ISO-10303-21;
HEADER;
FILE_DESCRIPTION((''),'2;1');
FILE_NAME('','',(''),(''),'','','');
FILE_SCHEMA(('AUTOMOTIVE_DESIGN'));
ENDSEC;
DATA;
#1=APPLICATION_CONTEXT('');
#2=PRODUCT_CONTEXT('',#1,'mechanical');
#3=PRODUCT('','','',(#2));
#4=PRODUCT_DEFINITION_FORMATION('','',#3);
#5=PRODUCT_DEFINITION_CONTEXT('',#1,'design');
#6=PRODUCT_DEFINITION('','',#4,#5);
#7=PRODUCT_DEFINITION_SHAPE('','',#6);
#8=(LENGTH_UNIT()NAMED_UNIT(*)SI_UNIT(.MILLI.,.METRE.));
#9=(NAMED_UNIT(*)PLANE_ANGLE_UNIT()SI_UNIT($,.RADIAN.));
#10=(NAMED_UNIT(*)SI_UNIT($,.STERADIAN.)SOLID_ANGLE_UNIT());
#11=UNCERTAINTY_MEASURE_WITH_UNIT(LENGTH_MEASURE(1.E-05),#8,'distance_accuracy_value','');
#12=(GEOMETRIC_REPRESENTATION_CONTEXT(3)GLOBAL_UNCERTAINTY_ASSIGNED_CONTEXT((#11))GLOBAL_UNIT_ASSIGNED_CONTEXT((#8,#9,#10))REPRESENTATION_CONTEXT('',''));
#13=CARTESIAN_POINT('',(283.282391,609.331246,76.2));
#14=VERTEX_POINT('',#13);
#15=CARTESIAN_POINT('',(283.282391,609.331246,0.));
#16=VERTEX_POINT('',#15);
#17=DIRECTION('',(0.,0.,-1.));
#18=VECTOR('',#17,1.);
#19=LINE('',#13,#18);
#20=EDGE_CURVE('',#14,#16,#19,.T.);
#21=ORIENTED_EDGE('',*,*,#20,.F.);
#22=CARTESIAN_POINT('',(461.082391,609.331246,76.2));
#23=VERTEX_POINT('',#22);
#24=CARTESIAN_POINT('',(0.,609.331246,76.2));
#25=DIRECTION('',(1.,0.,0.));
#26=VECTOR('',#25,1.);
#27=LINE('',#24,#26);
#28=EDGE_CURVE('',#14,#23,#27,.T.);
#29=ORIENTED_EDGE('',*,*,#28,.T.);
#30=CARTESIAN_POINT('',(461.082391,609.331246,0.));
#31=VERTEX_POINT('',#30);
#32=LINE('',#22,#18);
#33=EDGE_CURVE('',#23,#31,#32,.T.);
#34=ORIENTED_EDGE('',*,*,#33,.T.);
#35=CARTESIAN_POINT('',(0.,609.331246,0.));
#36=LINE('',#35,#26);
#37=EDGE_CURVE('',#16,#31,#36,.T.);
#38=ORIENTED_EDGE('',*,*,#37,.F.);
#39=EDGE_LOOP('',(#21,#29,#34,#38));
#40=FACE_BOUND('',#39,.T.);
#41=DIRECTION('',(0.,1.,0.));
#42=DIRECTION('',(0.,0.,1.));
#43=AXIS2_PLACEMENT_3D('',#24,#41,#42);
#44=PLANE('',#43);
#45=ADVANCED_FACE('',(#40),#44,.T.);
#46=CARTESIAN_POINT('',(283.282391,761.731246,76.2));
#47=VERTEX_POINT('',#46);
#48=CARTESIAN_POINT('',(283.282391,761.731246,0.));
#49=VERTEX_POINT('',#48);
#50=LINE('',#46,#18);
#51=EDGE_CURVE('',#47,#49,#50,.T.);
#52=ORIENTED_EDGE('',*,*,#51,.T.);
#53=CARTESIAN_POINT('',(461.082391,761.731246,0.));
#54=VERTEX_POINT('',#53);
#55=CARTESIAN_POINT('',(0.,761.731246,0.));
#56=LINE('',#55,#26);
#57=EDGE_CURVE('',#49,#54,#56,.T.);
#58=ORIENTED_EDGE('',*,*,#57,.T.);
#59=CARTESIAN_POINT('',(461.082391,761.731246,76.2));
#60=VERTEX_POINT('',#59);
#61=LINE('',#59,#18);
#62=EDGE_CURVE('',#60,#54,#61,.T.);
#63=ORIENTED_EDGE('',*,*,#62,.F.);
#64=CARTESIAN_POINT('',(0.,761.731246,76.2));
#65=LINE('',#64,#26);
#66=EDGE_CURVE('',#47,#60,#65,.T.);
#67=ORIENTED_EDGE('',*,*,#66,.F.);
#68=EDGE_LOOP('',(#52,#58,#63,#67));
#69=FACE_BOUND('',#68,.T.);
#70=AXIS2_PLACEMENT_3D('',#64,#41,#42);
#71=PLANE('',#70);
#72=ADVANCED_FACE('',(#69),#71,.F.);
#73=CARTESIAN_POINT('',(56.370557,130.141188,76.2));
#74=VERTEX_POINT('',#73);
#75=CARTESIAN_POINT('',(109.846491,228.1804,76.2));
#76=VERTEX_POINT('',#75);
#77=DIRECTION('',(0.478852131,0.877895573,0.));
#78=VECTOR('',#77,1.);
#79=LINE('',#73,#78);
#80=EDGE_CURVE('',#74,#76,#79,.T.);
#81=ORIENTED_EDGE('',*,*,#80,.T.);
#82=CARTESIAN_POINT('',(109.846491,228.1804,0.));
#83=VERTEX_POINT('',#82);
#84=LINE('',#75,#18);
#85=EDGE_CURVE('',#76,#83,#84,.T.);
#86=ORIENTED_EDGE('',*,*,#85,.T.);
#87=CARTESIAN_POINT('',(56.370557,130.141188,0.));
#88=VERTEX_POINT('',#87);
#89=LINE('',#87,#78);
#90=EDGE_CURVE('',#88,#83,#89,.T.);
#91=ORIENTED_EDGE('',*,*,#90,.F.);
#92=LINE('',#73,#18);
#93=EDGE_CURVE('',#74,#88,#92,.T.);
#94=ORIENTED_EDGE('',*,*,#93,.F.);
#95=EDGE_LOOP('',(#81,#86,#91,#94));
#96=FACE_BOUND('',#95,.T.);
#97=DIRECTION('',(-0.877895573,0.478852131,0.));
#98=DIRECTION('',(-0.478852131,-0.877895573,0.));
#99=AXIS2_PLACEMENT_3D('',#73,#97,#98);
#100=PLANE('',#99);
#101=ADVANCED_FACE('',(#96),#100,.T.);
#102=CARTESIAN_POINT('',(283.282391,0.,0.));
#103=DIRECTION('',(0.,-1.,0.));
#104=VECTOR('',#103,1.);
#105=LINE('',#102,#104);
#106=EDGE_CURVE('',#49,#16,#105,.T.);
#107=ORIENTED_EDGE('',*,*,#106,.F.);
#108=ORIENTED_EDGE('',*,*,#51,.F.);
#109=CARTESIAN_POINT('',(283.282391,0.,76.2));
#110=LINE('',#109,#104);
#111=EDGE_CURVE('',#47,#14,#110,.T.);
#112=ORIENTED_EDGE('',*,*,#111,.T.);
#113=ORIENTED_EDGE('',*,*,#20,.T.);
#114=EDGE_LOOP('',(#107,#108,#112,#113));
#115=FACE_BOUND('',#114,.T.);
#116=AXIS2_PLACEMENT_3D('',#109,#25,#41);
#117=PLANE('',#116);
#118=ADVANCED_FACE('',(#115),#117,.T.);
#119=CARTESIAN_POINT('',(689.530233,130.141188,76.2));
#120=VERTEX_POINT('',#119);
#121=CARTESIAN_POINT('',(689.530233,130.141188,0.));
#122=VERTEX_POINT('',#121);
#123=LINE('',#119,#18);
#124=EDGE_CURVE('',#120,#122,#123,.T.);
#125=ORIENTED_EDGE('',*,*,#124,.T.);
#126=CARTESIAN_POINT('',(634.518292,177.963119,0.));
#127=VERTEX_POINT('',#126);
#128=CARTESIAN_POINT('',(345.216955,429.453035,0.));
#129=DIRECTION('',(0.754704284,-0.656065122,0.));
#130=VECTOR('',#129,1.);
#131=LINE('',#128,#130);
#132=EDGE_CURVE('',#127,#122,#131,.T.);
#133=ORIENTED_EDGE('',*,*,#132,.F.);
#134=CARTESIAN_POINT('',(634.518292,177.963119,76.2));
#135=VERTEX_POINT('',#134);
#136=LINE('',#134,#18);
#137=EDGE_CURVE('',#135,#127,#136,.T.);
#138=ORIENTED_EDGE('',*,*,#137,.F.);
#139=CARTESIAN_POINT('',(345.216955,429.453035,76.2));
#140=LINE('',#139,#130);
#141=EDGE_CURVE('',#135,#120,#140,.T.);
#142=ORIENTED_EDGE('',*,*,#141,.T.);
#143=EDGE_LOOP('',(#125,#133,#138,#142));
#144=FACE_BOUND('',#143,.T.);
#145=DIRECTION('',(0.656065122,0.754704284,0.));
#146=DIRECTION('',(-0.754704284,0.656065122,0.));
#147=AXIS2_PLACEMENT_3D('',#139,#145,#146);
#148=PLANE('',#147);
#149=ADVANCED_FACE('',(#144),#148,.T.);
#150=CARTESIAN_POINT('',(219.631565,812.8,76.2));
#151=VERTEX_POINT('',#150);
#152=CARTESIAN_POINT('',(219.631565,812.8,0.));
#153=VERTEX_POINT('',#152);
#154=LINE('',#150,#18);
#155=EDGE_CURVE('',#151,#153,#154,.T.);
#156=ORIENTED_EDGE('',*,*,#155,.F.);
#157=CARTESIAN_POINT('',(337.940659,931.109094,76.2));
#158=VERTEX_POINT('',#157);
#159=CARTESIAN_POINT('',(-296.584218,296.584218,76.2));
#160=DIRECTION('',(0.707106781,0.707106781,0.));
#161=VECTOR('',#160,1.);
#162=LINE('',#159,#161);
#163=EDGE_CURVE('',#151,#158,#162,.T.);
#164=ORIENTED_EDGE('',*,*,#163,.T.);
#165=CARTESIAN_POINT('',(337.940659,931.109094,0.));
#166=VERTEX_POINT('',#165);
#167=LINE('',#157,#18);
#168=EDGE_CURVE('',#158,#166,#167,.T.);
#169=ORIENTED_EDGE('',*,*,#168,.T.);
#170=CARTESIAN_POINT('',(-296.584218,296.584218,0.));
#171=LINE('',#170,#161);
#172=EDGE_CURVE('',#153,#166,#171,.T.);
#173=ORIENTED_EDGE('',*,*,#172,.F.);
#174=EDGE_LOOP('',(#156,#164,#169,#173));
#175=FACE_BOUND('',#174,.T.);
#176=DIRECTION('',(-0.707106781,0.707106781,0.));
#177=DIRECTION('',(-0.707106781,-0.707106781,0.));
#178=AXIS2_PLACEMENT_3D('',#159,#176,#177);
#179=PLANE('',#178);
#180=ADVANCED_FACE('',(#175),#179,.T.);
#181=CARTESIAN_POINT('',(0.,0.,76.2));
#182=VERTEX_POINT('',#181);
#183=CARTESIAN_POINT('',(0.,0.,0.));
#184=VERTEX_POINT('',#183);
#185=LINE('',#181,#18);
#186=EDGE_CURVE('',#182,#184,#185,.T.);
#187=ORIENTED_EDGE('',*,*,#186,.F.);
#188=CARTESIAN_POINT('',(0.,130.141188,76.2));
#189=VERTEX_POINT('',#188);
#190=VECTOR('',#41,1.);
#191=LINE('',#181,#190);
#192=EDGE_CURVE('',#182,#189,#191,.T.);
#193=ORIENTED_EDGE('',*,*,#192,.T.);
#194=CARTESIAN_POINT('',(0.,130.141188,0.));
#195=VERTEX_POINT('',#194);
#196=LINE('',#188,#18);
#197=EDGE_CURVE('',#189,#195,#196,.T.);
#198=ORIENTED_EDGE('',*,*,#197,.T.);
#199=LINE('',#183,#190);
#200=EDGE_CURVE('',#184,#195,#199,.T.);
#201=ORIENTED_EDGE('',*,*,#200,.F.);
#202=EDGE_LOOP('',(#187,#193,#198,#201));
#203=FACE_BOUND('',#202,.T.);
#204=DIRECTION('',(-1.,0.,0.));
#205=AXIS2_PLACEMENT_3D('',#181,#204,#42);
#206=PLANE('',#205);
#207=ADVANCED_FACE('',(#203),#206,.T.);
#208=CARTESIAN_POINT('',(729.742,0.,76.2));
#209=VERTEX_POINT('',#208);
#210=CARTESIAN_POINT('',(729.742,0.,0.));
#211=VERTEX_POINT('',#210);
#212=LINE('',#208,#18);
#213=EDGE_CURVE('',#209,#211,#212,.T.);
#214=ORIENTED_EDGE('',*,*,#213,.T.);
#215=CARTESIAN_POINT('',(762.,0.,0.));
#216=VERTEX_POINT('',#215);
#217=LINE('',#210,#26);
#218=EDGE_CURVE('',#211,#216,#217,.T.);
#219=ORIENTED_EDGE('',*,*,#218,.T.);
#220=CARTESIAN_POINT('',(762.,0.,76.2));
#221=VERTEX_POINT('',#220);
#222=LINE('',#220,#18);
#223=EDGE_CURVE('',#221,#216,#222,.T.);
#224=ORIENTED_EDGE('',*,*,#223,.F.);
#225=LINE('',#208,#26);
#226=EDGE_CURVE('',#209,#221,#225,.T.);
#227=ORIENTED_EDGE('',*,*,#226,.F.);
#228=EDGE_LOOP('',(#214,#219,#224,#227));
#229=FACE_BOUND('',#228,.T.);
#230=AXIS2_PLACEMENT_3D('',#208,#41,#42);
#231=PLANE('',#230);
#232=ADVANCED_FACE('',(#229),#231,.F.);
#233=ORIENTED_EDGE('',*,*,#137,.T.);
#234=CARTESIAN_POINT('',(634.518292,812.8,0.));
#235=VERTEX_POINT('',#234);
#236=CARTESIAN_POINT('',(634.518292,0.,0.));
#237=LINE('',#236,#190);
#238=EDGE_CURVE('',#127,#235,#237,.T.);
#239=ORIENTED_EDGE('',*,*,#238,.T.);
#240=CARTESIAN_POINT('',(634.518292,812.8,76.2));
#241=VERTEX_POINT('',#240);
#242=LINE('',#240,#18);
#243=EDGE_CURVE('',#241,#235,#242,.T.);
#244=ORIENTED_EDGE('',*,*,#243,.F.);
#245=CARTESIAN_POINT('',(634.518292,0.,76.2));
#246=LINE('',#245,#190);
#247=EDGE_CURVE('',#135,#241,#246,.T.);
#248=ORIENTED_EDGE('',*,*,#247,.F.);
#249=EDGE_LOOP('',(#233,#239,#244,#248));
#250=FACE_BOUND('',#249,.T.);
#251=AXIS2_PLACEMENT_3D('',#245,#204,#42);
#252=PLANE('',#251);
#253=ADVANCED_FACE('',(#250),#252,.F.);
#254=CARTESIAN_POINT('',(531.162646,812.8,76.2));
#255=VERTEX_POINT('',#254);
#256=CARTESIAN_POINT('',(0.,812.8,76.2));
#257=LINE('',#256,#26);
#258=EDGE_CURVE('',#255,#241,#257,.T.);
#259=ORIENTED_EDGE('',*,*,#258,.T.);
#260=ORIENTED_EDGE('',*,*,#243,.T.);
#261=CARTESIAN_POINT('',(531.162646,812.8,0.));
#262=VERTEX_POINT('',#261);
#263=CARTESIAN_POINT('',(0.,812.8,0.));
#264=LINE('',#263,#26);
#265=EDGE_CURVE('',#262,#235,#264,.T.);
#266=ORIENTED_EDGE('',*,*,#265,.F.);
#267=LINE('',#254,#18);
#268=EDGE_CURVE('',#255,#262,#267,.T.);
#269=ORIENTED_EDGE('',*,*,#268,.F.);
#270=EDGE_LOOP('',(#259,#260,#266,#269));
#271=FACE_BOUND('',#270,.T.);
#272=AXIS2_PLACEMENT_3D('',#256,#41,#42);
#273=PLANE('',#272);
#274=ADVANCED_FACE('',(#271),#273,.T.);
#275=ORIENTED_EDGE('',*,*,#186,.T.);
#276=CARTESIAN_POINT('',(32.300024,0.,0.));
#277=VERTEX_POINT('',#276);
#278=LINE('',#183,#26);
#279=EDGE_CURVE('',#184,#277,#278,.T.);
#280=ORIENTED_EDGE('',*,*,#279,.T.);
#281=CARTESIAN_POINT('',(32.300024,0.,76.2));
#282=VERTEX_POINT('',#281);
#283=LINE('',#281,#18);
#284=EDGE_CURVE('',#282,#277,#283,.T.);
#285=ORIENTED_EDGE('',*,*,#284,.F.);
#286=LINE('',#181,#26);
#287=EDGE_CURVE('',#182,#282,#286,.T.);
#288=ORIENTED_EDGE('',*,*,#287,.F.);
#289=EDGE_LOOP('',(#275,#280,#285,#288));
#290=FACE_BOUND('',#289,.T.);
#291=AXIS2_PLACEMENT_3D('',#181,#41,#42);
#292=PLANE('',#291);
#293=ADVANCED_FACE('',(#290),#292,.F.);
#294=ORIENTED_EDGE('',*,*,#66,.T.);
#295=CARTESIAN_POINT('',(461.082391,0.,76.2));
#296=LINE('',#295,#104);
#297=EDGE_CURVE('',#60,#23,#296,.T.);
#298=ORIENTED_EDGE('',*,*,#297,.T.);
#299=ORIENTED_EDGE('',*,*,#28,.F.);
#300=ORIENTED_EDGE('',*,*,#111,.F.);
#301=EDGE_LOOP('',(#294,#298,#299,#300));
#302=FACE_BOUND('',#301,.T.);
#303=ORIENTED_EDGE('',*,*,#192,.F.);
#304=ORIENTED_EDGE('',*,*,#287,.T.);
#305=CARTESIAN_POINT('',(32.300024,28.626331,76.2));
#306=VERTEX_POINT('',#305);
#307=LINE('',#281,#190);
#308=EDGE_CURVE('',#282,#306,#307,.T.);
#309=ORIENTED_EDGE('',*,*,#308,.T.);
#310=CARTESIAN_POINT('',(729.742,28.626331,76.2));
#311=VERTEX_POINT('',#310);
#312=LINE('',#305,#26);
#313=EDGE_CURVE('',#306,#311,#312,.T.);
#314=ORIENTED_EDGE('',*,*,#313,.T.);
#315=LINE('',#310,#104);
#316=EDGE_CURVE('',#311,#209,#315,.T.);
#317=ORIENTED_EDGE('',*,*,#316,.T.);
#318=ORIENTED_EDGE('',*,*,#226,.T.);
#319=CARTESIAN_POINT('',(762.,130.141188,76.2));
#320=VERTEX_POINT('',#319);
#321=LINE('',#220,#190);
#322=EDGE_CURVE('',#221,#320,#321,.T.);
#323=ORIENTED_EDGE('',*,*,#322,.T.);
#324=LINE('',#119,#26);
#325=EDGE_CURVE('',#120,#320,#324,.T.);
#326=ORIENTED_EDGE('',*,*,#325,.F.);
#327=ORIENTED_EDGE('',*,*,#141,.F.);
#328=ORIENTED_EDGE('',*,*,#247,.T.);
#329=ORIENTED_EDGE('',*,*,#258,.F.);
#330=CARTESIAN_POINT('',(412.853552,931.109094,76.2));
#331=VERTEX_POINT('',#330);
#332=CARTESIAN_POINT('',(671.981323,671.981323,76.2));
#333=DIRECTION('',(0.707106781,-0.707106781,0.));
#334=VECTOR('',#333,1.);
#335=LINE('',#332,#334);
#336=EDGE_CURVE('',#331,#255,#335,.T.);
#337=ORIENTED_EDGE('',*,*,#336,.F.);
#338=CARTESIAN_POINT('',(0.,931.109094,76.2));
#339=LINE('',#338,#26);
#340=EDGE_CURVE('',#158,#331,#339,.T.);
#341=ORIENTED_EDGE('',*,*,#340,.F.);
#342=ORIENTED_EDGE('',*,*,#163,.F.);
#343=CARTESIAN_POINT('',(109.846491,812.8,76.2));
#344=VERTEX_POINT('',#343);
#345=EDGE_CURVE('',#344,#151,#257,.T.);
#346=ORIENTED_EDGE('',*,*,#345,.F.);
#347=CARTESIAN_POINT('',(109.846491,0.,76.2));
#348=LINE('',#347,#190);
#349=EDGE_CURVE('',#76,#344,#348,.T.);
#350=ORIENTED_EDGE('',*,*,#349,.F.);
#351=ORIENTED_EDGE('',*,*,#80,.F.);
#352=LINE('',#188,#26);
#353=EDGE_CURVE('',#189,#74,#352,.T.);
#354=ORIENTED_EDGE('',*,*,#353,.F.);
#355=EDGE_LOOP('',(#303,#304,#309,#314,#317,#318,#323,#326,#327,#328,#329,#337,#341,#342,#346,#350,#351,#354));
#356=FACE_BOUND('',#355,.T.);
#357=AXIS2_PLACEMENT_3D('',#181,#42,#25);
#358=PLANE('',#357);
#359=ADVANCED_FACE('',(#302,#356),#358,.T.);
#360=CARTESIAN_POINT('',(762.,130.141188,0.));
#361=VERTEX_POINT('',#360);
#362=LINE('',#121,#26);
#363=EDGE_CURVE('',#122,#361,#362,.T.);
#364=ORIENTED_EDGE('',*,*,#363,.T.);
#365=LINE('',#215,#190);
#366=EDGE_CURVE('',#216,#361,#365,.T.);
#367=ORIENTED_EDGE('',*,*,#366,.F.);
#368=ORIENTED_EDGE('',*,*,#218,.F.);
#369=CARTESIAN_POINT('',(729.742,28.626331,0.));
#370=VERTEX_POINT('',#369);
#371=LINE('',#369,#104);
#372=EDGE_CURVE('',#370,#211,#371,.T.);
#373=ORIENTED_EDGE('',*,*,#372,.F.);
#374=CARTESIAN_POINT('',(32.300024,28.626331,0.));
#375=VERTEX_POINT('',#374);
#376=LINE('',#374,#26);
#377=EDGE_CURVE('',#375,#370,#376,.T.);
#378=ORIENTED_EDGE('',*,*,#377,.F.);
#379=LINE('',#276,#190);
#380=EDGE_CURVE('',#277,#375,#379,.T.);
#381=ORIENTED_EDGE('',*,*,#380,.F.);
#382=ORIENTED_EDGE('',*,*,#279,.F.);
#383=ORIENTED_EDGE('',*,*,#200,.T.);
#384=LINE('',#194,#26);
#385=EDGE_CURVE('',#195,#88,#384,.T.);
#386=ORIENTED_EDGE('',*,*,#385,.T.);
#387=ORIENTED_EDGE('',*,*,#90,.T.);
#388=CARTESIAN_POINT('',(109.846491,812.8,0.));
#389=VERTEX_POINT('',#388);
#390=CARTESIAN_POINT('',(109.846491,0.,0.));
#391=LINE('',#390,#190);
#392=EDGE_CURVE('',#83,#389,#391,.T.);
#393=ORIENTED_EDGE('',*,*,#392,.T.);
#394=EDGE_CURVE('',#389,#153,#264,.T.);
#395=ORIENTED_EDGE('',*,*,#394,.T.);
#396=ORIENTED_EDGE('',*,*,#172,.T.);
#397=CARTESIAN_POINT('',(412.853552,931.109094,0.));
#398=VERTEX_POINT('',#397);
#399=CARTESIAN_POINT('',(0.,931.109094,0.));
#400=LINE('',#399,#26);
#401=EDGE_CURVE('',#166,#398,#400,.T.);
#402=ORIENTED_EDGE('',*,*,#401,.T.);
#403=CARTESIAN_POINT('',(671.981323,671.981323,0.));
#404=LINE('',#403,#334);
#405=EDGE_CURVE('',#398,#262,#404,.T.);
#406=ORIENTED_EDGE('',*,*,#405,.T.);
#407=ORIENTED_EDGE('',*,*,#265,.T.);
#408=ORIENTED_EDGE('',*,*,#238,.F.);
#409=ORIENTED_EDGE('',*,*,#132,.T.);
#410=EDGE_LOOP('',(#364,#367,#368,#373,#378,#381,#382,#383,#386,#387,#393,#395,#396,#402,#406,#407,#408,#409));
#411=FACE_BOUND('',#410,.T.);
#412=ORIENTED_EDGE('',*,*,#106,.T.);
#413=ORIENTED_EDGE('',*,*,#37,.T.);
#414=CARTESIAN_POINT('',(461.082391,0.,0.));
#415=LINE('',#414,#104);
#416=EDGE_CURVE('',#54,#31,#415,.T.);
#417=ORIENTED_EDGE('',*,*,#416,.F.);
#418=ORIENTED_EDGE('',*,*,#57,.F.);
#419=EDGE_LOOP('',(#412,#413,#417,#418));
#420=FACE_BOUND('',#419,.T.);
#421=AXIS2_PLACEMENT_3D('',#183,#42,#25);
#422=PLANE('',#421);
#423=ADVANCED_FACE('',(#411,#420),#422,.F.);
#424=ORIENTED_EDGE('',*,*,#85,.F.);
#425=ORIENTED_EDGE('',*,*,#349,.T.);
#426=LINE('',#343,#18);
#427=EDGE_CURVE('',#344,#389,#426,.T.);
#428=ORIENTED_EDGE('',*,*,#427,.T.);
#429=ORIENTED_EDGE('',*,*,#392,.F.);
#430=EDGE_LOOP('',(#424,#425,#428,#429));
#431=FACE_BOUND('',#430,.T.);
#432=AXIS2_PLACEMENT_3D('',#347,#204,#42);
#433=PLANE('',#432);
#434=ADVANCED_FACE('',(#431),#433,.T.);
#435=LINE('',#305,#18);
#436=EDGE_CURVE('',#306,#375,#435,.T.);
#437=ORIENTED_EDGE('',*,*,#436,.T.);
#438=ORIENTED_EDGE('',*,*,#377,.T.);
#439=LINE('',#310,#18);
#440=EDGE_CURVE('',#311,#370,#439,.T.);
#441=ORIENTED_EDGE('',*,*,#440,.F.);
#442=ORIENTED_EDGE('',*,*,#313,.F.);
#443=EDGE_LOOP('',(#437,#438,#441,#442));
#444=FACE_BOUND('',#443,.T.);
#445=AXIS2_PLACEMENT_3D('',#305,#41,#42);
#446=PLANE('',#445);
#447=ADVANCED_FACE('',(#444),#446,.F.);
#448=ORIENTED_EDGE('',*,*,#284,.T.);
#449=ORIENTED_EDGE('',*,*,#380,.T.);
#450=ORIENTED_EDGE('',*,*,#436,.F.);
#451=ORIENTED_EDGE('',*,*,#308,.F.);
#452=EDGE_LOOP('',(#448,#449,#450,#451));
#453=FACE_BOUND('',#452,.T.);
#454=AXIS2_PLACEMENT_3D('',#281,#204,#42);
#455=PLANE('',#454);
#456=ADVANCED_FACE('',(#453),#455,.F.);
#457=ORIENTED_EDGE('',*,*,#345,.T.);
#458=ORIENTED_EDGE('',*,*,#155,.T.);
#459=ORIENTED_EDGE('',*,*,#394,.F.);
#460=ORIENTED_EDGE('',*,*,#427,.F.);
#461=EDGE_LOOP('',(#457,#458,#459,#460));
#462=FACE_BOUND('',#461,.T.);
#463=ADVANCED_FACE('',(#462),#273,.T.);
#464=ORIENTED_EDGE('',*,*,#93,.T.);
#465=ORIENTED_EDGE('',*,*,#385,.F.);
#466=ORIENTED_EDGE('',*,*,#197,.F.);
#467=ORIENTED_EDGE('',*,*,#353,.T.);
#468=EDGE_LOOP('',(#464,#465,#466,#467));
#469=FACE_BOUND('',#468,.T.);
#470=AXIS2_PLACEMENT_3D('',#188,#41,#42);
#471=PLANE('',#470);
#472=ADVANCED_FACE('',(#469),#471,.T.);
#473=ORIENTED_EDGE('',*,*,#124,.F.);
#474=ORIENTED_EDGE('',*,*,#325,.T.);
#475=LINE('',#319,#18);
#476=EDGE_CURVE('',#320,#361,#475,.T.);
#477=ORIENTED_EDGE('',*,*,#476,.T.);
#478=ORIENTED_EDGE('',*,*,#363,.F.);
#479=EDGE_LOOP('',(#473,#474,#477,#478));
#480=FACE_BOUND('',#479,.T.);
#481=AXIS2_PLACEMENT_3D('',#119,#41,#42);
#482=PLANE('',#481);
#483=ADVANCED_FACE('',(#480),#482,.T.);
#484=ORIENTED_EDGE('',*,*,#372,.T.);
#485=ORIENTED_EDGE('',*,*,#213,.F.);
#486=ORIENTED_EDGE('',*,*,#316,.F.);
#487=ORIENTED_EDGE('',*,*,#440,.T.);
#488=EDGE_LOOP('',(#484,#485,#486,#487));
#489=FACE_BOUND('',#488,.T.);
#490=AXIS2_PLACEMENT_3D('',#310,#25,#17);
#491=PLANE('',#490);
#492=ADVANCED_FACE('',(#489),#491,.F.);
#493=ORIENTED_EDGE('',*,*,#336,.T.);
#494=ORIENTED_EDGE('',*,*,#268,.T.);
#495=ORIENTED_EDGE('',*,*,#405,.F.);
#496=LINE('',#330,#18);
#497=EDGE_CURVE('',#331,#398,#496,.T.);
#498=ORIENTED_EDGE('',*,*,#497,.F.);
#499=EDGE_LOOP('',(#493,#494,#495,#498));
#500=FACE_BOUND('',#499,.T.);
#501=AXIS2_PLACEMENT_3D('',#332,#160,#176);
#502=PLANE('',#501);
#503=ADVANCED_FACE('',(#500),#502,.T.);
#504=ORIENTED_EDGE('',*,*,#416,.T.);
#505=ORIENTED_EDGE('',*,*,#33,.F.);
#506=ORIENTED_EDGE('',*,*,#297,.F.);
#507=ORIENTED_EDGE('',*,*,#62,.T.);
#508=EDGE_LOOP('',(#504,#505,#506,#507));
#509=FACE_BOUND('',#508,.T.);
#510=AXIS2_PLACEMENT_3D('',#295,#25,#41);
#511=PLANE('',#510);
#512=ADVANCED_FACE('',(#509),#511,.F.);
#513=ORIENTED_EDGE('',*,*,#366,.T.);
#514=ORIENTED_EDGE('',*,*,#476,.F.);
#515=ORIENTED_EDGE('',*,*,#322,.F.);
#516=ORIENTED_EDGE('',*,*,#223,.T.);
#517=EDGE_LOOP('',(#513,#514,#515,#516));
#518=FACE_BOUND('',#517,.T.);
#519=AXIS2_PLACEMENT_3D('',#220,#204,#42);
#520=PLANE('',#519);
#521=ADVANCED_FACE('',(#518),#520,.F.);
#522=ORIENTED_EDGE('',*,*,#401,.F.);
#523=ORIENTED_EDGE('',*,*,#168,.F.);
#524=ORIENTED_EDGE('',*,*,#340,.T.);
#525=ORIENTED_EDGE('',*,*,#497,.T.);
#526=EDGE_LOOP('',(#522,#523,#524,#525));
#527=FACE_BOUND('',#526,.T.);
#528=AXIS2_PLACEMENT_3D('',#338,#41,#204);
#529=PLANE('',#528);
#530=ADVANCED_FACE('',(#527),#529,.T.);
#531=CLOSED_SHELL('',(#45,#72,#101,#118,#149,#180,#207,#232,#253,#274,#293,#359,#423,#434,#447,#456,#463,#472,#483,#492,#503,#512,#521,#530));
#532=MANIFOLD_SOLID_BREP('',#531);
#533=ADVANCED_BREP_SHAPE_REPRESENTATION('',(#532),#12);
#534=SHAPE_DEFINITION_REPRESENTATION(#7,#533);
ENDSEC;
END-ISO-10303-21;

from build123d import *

# Parameters (mm, degrees)
SKETCH1_W           = 177.8
SKETCH1_H           = 152.4
BOSS_EXTRUDE1_DEPTH = 76.2


with BuildPart() as part:
    # Sketch1 → Boss-Extrude1 (new body)
    with BuildSketch(Plane.XY):
        Polygon((0, 0), (32.300024104, 0), (32.300024104, 28.626330926), (729.742, 28.626330926), (729.742, 0), (762, 0), (762, 130.141188099), (689.530233431, 130.141188099), (634.518291525, 177.963119361), (634.518291525, 812.8), (531.162645999, 812.8), (412.853551647, 931.109094352), (337.940659012, 931.109094352), (219.631564661, 812.8), (109.846491066, 812.8), (109.846491066, 228.180400099), (56.370557248, 130.141188099), (0, 130.141188099), align=None)
        with Locations((372.182391296, 685.531245819)):
            Rectangle(SKETCH1_W, SKETCH1_H, mode=Mode.SUBTRACT)
    extrude(amount=BOSS_EXTRUDE1_DEPTH)


solid = part.part
